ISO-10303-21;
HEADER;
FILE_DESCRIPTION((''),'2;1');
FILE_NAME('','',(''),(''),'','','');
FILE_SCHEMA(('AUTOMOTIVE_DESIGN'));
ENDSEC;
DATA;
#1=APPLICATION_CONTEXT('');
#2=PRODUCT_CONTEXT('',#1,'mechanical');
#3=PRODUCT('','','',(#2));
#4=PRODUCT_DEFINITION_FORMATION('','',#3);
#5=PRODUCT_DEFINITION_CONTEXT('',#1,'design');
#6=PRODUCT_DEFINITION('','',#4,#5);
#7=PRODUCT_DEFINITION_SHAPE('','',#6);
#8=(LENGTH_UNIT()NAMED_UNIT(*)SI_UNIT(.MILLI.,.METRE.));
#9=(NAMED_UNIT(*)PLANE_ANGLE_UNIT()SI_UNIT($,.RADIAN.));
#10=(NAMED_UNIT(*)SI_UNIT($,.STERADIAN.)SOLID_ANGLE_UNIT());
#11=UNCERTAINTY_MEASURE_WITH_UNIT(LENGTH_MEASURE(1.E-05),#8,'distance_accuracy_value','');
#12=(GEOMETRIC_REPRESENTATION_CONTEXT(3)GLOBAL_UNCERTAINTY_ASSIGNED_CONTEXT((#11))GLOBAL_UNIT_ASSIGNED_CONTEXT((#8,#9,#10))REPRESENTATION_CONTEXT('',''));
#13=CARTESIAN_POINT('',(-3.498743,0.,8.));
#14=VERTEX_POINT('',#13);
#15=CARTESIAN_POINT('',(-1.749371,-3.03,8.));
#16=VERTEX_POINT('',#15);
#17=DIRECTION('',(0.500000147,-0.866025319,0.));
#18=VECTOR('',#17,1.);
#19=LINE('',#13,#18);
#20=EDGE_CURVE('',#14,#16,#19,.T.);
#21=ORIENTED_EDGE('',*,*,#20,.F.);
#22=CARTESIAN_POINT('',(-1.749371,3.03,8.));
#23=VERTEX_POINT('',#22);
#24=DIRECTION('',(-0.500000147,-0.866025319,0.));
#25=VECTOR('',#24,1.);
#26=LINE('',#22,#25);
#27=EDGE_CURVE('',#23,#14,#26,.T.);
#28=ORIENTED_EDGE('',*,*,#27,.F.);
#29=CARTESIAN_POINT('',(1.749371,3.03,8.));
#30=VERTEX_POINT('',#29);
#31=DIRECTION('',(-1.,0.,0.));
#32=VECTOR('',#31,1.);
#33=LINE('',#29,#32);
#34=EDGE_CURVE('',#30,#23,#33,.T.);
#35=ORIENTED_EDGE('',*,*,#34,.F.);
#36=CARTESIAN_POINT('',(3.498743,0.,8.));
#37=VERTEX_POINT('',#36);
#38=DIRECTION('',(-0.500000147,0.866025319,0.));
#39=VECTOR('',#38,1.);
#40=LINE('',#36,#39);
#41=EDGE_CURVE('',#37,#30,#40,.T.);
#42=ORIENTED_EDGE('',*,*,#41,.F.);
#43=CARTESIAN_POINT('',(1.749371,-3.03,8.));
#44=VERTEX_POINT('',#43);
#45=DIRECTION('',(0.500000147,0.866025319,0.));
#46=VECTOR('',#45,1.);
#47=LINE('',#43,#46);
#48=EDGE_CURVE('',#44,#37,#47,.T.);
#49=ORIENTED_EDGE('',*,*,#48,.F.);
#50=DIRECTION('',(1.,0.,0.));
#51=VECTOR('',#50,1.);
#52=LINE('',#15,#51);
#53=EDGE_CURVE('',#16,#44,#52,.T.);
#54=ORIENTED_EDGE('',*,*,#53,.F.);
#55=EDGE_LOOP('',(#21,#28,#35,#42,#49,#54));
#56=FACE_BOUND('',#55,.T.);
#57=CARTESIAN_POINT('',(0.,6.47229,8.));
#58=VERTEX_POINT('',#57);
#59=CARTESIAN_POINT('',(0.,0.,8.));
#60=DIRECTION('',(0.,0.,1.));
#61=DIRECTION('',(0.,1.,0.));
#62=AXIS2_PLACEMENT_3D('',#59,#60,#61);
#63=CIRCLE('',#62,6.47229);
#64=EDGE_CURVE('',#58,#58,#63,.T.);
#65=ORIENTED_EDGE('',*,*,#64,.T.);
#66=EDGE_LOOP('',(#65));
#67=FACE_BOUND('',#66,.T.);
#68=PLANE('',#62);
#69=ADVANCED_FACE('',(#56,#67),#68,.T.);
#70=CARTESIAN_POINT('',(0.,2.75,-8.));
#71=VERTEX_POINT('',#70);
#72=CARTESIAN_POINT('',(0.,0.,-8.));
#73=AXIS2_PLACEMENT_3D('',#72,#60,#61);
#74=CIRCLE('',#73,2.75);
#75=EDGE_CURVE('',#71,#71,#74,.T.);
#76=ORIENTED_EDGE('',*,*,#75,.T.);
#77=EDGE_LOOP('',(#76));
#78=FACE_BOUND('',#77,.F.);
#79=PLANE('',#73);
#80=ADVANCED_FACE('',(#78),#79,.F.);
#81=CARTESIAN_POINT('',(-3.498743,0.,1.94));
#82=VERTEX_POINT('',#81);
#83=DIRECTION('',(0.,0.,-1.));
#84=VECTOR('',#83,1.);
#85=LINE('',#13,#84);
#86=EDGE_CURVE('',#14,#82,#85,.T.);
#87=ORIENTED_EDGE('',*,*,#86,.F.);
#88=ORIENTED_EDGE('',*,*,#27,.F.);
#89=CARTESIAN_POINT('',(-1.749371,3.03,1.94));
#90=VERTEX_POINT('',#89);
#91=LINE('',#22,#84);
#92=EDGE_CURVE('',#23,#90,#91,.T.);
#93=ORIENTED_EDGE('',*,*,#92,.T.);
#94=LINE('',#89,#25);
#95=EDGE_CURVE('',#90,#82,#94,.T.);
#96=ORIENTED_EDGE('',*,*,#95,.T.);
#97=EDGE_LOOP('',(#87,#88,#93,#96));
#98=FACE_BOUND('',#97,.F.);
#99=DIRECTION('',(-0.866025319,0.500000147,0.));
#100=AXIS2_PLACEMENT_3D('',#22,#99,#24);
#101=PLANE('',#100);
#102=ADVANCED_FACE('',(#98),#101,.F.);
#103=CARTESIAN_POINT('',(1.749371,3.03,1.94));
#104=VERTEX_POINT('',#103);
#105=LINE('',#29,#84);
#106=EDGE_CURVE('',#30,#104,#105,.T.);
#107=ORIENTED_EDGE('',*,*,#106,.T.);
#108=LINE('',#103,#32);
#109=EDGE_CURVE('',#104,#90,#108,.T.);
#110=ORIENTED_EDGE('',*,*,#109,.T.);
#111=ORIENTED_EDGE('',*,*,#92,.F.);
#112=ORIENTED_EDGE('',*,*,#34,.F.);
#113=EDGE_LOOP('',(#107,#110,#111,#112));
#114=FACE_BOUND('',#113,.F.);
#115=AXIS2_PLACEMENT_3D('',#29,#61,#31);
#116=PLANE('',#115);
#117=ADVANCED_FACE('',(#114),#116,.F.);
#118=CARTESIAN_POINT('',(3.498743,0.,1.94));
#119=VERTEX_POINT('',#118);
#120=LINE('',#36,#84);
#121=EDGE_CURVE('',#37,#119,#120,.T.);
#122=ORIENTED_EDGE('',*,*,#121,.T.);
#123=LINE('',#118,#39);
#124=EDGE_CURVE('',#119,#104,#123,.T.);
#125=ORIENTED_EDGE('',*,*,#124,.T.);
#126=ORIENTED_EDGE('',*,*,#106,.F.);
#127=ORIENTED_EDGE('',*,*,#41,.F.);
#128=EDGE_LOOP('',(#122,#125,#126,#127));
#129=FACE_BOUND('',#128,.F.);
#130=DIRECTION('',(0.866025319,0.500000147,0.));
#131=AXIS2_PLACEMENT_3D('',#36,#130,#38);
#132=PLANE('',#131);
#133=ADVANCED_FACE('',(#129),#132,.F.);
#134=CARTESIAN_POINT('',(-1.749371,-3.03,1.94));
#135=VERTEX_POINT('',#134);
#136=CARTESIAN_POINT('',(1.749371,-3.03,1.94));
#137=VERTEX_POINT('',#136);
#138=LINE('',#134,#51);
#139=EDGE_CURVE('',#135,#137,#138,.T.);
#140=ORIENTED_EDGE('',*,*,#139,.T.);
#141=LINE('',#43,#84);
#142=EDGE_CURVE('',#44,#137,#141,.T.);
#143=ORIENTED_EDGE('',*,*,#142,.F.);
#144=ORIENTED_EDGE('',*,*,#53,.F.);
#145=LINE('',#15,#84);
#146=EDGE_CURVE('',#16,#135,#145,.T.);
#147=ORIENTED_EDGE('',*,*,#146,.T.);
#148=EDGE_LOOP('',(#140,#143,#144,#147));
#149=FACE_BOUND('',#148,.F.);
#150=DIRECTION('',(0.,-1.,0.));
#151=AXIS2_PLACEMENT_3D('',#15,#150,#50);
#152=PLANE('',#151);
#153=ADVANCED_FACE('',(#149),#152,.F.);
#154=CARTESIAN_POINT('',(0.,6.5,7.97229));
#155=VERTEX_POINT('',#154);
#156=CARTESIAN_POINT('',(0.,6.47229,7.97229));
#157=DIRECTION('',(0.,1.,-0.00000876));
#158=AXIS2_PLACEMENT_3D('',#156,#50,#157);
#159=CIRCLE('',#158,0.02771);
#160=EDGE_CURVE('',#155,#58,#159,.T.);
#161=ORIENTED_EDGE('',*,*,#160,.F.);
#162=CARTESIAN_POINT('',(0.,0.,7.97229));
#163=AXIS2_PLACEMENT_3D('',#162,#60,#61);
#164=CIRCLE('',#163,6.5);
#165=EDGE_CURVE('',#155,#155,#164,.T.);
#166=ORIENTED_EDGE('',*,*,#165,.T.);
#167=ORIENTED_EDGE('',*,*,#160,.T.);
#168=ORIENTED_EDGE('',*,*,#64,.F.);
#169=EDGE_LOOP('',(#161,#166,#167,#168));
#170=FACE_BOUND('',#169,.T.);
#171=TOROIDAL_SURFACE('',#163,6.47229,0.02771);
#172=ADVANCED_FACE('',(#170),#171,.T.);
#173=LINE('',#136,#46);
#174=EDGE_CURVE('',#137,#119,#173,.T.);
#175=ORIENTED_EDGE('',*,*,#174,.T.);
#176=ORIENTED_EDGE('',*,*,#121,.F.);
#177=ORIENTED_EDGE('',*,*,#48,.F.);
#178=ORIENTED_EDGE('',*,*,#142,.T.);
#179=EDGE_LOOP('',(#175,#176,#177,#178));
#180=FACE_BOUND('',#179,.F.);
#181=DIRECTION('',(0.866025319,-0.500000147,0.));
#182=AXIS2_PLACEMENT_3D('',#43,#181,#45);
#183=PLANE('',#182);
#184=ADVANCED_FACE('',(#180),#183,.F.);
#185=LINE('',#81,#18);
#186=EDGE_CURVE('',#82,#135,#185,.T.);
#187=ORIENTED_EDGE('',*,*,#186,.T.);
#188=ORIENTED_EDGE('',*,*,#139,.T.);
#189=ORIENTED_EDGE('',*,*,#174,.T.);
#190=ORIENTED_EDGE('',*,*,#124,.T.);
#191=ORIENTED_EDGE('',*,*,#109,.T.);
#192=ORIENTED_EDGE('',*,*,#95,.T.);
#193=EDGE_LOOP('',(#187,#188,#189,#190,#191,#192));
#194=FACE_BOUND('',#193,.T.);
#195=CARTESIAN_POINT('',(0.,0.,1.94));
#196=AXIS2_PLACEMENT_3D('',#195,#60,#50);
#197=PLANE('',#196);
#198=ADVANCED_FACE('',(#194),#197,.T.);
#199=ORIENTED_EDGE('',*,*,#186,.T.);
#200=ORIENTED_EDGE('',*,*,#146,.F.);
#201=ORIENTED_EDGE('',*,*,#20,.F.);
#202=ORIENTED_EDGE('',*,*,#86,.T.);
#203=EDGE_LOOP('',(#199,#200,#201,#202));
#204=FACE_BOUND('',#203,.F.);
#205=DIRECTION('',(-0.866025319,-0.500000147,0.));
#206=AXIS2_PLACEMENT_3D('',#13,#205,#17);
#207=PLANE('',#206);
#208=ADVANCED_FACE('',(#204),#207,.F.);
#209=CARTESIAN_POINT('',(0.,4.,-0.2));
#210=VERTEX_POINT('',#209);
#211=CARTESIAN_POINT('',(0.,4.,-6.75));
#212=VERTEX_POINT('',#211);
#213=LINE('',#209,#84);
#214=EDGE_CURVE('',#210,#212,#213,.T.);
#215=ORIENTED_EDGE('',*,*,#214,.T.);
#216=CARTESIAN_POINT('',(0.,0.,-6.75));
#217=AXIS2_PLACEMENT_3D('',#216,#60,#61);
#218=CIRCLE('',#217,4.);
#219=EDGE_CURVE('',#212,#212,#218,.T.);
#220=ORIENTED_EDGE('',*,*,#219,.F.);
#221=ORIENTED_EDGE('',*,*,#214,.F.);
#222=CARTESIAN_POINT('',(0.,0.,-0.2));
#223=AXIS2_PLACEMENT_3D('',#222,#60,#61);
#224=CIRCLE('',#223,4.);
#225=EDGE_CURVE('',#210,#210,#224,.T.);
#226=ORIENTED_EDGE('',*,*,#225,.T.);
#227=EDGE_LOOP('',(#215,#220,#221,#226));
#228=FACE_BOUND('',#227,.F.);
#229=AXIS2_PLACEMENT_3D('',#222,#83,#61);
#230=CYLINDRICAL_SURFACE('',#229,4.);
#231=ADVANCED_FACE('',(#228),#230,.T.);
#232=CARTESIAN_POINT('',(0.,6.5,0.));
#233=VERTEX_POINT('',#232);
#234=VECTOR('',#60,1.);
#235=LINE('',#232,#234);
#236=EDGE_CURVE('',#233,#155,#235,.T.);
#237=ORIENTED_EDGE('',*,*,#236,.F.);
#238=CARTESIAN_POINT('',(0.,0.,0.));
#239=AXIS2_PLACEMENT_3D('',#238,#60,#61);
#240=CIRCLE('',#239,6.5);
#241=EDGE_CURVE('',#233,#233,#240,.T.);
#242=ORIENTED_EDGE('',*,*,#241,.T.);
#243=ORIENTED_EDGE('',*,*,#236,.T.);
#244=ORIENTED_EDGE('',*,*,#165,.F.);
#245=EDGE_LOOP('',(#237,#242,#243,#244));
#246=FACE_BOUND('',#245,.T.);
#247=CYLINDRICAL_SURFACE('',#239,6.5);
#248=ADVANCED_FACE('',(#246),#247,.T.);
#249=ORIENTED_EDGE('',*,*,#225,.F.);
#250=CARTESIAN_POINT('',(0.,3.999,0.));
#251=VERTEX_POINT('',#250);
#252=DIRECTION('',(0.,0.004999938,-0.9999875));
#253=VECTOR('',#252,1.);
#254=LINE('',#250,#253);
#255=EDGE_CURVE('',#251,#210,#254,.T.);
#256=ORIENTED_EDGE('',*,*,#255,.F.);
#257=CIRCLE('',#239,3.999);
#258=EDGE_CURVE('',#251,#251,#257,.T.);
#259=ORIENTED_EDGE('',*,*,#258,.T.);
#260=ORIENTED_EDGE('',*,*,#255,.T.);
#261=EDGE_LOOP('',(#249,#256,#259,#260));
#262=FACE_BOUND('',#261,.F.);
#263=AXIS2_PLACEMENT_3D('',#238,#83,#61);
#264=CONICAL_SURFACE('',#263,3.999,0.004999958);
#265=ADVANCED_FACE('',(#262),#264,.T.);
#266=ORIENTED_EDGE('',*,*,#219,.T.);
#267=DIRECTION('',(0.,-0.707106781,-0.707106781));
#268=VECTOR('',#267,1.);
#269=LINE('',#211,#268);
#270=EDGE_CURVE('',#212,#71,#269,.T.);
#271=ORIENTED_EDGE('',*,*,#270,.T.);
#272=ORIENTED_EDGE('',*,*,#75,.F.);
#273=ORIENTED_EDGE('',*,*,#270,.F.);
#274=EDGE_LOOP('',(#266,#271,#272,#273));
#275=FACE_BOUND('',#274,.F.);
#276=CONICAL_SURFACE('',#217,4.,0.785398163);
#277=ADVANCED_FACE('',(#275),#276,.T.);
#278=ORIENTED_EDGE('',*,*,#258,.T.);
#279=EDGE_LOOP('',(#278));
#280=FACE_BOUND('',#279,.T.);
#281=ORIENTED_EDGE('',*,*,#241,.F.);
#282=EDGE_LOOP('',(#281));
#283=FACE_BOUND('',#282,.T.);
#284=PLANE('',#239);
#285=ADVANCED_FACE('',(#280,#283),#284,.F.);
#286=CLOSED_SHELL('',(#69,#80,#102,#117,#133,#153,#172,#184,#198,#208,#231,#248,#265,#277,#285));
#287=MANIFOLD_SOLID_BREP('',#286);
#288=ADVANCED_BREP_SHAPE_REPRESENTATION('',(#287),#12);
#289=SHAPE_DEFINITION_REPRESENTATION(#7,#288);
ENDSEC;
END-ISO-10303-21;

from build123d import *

# Parameters (mm, degrees)
POCKET_DEPTH = 6.06


with BuildPart() as part:
    # Sketch → Revolve (revolve)
    with BuildSketch(Plane.YZ):
        with BuildLine():
            Line((3.999, 0), (6.5, 0))
            Line((6.5, 0), (6.5, 7.97229))
            ThreePointArc((6.5, 7.97229), (6.491884, 7.991884), (6.47229, 8))
            Line((6.47229, 8), (0, 8))
            Line((0, -8), (0, 8))
            Line((2.75, -8), (0, -8))
            Line((4, -6.75), (2.75, -8))
            Line((4, -0.2), (4, -6.75))
            Line((3.999, 0), (4, -0.2))
        make_face()
    revolve(axis=Axis((0, 0, 0), (0, 0, 1)))

    # Sketch001 → Pocket (cut)
    with BuildSketch(Plane.XY.offset(8)):
        Polygon((3.498743, 0), (1.749371, 3.03), (-1.749371, 3.03), (-3.498743, 0), (-1.749371, -3.03), (1.749371, -3.03), align=None)
    extrude(amount=-POCKET_DEPTH, mode=Mode.SUBTRACT)


solid = part.part
